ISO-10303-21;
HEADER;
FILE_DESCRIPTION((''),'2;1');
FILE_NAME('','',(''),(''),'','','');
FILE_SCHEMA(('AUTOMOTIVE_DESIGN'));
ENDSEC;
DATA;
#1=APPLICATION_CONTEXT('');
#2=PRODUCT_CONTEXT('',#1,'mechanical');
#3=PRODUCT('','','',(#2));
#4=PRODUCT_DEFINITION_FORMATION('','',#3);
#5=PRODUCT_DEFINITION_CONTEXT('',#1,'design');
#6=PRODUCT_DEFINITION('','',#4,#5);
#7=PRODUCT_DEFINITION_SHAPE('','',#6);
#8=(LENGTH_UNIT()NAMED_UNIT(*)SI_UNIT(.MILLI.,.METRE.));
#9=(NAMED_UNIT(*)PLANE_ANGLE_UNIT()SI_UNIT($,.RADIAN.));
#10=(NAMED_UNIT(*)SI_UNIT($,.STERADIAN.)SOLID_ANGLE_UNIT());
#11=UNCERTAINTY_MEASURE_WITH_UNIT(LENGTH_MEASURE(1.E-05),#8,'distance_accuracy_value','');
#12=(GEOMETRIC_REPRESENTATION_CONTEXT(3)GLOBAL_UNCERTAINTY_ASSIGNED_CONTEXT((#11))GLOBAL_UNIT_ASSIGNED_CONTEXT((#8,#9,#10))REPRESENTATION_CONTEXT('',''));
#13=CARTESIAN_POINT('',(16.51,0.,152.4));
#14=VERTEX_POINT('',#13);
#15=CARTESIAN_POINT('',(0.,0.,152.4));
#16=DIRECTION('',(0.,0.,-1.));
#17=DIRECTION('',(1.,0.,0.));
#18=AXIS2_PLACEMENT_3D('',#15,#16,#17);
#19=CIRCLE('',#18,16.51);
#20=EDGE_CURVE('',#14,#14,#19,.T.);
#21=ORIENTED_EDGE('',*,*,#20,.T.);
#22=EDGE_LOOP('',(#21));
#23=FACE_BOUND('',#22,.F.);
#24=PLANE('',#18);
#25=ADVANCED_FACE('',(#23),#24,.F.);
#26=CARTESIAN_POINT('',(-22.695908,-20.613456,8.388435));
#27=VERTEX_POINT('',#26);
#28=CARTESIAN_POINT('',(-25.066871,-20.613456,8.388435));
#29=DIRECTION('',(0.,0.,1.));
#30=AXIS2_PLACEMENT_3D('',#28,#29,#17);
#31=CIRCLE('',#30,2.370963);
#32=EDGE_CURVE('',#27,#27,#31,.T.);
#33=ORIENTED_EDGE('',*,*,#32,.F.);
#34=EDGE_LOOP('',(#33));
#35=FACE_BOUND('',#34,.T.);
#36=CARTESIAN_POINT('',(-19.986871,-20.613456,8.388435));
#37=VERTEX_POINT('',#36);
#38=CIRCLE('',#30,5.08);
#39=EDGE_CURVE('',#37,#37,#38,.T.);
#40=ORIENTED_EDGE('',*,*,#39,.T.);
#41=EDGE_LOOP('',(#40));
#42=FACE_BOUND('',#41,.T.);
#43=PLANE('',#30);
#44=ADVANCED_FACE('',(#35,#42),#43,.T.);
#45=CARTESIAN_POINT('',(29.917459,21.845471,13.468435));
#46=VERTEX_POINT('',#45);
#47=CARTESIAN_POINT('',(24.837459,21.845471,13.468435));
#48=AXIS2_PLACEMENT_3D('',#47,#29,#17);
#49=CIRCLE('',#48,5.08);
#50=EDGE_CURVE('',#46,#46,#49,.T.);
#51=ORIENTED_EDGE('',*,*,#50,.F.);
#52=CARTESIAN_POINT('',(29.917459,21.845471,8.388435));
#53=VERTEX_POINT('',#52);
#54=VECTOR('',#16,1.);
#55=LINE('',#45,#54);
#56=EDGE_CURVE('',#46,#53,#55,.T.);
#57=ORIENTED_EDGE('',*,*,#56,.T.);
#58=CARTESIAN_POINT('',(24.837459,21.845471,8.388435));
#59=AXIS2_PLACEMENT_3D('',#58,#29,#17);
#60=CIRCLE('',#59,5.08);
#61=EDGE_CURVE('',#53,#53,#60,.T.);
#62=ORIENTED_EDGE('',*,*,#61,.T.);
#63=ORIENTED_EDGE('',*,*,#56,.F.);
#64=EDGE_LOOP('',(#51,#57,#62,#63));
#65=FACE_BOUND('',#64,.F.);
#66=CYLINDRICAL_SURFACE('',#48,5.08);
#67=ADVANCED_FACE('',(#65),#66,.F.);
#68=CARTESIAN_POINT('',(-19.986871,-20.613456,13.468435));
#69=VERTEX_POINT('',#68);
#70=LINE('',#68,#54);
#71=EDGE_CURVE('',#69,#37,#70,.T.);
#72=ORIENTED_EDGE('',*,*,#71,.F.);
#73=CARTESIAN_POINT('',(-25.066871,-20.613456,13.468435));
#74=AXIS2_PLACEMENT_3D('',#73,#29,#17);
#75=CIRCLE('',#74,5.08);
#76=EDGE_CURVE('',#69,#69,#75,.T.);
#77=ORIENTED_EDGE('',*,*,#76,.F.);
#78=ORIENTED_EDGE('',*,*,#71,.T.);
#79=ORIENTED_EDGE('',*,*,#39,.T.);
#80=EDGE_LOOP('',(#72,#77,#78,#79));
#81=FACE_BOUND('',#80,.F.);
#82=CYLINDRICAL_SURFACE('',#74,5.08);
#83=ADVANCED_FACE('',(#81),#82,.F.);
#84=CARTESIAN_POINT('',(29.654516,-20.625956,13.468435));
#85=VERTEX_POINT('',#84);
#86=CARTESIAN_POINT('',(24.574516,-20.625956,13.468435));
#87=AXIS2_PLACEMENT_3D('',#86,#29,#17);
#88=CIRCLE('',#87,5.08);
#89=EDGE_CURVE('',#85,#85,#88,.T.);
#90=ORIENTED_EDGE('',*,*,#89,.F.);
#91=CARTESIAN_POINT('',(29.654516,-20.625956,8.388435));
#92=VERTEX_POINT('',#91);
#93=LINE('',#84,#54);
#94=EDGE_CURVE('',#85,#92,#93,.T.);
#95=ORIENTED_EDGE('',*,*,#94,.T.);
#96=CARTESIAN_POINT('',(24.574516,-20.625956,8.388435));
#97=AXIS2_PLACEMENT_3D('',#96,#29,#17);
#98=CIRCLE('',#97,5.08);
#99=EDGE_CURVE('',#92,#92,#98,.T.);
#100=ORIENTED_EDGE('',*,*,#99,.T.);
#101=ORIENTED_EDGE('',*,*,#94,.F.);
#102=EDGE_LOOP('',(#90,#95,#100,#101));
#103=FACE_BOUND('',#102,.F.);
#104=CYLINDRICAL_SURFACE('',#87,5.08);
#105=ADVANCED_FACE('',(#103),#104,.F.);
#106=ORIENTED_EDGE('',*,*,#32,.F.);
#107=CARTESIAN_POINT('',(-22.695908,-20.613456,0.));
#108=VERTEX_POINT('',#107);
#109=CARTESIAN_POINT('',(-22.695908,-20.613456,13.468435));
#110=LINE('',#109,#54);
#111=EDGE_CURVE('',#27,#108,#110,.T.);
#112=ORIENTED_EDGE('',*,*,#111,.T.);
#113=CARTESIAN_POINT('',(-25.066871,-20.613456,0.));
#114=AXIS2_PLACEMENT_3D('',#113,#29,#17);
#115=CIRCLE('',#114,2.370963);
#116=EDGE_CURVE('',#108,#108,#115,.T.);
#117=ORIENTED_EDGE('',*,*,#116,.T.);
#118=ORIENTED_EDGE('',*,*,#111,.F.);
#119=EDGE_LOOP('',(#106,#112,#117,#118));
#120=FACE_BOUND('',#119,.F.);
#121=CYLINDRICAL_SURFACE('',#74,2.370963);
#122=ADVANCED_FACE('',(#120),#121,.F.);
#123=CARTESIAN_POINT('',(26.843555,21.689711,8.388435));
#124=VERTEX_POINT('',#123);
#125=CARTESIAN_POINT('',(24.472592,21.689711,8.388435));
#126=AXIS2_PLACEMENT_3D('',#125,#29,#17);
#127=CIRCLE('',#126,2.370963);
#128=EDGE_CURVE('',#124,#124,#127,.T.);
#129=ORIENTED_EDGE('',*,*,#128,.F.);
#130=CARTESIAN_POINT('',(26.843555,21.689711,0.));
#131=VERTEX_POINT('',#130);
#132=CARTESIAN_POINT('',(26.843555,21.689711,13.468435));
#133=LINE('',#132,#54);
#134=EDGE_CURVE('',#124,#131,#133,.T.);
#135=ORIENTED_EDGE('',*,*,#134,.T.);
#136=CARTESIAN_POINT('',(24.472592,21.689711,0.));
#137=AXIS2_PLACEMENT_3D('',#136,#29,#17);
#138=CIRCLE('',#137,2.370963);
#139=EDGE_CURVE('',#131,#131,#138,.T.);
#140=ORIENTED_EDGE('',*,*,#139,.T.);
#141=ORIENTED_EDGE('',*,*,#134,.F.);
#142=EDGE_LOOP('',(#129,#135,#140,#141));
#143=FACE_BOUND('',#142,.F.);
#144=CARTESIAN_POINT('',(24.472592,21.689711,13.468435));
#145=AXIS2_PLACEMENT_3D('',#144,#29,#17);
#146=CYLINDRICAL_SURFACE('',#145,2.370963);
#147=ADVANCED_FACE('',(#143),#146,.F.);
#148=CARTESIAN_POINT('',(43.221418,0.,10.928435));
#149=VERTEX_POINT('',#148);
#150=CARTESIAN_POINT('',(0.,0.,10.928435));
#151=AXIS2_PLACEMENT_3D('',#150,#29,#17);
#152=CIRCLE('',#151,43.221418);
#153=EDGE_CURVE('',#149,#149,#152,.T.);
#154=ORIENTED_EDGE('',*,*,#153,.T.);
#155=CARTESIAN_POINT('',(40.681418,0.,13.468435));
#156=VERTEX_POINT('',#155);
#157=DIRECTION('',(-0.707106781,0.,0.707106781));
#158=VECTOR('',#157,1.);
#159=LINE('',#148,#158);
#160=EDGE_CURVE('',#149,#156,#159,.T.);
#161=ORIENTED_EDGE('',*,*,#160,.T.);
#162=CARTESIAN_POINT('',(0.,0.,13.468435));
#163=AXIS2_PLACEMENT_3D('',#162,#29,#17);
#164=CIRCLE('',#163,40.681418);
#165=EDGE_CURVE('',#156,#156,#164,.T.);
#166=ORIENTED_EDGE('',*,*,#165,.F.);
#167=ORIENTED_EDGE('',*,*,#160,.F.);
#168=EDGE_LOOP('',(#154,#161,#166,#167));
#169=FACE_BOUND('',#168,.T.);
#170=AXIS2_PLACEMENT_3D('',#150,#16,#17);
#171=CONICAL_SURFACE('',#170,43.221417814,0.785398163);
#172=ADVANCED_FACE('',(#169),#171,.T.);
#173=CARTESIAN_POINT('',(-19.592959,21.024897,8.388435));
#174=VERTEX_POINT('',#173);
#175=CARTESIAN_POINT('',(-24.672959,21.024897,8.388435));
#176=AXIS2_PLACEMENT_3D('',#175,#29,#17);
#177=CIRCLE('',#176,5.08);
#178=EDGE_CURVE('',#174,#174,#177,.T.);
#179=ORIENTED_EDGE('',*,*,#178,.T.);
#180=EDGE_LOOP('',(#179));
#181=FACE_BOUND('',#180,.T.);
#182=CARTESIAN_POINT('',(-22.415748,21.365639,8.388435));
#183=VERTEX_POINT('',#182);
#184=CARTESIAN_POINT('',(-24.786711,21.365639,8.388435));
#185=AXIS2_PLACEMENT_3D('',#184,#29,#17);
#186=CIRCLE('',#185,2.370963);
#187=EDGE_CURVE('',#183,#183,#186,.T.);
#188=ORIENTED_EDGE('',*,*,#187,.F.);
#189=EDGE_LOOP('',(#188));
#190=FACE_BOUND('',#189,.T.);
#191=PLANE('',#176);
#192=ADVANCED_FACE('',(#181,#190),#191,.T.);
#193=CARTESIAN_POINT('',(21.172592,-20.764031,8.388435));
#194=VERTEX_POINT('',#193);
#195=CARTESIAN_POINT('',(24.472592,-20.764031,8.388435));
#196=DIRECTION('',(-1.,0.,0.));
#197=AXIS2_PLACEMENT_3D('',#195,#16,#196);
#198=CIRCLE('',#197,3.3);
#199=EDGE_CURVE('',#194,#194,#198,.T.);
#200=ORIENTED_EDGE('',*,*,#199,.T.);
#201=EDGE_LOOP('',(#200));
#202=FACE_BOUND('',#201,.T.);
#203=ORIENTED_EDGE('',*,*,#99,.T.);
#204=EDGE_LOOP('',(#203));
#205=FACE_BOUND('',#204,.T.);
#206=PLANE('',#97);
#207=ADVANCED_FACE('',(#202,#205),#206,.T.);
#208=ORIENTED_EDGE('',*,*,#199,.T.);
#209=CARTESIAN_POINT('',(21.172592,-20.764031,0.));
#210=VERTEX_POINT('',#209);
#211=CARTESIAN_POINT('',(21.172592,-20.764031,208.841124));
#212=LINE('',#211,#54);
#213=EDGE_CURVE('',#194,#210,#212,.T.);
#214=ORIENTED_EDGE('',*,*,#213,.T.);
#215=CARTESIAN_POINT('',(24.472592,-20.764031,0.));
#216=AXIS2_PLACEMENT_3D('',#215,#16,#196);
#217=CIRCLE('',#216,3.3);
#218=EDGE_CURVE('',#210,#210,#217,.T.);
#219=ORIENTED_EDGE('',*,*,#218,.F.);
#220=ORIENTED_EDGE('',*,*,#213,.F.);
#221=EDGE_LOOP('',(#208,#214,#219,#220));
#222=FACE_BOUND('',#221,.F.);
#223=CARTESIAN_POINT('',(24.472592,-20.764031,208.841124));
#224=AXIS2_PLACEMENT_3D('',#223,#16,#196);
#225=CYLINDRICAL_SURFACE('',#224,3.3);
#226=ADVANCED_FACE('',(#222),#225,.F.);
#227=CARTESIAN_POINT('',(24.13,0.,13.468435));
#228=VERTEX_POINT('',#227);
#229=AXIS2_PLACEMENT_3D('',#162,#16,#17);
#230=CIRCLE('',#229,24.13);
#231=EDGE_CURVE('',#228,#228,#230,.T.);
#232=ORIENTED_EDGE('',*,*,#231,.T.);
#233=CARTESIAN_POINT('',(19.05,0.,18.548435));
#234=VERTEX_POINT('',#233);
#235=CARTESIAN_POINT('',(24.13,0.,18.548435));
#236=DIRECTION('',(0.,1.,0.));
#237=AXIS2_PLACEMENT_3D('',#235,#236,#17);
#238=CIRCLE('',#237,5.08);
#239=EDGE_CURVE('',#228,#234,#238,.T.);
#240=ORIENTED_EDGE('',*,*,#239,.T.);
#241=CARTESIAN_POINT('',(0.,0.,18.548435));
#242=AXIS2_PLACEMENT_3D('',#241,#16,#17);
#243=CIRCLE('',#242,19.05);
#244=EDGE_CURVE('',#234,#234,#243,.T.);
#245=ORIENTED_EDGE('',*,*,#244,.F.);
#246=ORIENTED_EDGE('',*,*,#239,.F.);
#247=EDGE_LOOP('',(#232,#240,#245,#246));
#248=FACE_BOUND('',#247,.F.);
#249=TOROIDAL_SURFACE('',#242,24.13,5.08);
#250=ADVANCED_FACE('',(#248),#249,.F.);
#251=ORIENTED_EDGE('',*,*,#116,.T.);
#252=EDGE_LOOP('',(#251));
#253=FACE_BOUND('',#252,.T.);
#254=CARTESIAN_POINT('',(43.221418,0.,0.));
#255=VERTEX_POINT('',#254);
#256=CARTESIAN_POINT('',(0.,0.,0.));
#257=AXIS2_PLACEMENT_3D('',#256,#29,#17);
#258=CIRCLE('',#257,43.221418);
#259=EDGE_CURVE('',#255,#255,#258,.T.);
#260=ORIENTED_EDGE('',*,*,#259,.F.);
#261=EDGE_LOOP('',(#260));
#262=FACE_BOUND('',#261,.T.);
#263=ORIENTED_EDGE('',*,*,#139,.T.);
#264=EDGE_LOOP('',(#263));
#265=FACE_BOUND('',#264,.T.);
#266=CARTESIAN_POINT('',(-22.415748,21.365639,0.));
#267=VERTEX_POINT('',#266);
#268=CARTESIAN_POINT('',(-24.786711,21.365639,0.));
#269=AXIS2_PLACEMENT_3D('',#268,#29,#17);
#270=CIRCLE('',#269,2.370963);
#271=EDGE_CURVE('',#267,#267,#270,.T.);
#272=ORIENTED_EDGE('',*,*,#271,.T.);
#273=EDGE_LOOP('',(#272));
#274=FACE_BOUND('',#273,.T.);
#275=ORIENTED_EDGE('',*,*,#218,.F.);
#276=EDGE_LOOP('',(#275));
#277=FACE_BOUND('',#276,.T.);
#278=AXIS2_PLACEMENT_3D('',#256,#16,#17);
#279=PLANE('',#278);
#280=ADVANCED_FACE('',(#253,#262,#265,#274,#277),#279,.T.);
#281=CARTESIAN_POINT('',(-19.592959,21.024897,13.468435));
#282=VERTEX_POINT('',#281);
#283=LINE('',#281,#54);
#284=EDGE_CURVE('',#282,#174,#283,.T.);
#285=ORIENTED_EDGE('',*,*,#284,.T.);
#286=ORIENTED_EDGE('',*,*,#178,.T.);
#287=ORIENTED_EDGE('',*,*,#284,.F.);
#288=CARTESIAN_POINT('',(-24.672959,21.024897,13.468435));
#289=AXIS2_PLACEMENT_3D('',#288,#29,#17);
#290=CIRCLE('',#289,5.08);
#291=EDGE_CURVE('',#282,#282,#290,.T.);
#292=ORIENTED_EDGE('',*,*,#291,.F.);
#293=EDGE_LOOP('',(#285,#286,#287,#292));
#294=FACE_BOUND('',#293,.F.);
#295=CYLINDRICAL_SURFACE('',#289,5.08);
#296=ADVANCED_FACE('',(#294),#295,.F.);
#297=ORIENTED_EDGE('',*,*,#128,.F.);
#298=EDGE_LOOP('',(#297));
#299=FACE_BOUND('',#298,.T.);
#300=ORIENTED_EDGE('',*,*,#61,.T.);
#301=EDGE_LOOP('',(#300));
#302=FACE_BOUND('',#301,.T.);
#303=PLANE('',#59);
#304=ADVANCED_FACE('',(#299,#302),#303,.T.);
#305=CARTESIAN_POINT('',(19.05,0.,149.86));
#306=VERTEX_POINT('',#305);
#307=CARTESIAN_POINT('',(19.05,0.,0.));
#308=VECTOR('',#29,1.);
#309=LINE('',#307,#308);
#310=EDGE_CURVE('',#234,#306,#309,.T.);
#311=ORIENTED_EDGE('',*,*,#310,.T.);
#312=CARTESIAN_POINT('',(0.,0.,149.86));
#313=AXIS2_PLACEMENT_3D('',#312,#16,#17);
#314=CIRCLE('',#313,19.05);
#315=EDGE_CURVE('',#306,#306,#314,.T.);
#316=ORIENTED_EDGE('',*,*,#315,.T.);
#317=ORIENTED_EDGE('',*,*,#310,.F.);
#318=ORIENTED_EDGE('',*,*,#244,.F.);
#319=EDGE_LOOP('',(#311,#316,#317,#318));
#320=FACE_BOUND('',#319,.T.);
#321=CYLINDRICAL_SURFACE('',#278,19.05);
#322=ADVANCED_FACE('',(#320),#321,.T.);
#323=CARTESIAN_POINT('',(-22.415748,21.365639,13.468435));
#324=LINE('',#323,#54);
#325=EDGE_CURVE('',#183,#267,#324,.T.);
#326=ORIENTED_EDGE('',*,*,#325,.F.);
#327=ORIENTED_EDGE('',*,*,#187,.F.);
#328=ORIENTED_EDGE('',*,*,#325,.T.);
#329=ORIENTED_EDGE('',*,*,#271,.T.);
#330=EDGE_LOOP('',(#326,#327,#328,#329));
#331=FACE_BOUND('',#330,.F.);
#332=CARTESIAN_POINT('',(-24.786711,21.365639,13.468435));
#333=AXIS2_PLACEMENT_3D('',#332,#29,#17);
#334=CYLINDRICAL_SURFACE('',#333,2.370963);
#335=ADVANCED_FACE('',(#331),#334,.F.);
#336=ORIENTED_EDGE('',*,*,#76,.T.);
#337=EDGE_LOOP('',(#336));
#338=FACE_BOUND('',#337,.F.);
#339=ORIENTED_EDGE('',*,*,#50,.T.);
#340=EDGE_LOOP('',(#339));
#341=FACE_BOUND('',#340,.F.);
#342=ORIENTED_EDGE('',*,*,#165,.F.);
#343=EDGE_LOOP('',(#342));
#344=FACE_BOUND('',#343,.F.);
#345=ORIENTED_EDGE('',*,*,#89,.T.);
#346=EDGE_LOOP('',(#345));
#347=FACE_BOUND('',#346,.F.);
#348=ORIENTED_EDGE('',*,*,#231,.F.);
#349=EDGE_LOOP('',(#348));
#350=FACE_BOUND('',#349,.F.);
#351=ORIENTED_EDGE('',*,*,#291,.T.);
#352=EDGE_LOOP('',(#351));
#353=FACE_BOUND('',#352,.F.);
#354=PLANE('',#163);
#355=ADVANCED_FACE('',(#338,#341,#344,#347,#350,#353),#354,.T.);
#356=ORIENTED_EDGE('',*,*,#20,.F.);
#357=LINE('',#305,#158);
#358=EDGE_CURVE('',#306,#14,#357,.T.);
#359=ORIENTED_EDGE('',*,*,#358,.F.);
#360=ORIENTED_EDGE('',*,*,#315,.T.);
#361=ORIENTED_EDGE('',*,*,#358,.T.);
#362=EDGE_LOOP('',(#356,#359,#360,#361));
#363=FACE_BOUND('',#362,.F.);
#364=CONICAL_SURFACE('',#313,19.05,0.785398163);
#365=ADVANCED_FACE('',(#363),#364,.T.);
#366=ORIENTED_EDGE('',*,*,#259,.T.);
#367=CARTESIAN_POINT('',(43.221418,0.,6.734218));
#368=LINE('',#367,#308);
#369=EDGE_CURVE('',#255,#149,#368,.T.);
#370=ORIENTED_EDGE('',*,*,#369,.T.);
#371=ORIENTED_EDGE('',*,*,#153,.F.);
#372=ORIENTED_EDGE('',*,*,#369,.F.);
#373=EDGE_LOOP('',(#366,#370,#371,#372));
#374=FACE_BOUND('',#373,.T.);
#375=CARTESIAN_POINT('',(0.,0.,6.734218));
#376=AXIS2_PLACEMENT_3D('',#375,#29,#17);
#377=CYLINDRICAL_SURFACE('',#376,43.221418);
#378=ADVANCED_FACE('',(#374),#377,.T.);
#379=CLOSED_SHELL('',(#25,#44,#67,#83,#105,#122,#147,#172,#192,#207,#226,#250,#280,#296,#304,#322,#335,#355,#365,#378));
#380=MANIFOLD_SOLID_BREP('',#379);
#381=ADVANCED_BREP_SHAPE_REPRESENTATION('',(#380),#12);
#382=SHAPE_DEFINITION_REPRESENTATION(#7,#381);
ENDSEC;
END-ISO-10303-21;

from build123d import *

# Parameters (mm, degrees)
F0_W     = 43.2214178145
F0_H     = 13.4684350342
F2_R     = 19.05
F3_DEPTH = 152.4
F4_R     = 5.08
F5_DEPTH = 5.08
F6_R     = 2.3709627479
F7_DEPTH = 25.4
F8_SIZE  = 2.54
F9_R     = 5.08
F10_D    = 6.6


with BuildPart() as f1:
    # F0 (on Front) → F1 (revolve)
    with BuildSketch(Plane.XZ):
        with Locations((21.6107089072, 6.7342175171)):
            Rectangle(F0_W, F0_H)
    revolve(axis=Axis((0, 0, 6.7342175171), (0, 0, 1)))

    # F2 (on face) → F3 (join)
    with BuildSketch(Plane(origin=(0, 0, 0), x_dir=(1, 0, 0), z_dir=(0, 0, -1))):
        Circle(F2_R)
    extrude(amount=-F3_DEPTH)

    # F4 (on face) → F5 (cut)
    with BuildSketch(Plane.XY.offset(13.4684350342)):
        with Locations((-24.6729586924, 21.0248965081)):
            Circle(F4_R)
        with Locations((24.8374585062, 21.8454711139)):
            Circle(F4_R)
        with Locations((-25.066871196, -20.6134561449)):
            Circle(F4_R)
        with Locations((24.5745163411, -20.6259563565)):
            Circle(F4_R)
    extrude(amount=-F5_DEPTH, mode=Mode.SUBTRACT)

    # F6 (on face) → F7 (cut)
    with BuildSketch(Plane.XY.offset(13.4684350342)):
        with Locations((-25.066871196, -20.6134561449)):
            Circle(F6_R)
        with Locations((24.4725923985, -20.7640305161)):
            Circle(F6_R)
        with Locations((24.4725923985, 21.6897111386)):
            Circle(F6_R)
        with Locations((-24.7867107391, 21.3656388223)):
            Circle(F6_R)
    extrude(amount=-F7_DEPTH, mode=Mode.SUBTRACT)

    # F8
    f8_edges = [f1.edges().sort_by_distance(p)[0] for p in [
        (-19.05, 0, 152.4),
        (-43.221418, 0, 13.468435),
    ]]
    chamfer(f8_edges, length=F8_SIZE)

    # F9
    f9_edges = [f1.edges().sort_by_distance(p)[0] for p in [
        (-19.05, 0, 13.468435),
    ]]
    fillet(f9_edges, radius=F9_R)

    # F10 (through all)
    with Locations(Plane.XY.offset(13.4684350342)):
        with Locations((24.4725923985, -20.7640305161)):
            Hole(F10_D / 2)


solid = f1.part
